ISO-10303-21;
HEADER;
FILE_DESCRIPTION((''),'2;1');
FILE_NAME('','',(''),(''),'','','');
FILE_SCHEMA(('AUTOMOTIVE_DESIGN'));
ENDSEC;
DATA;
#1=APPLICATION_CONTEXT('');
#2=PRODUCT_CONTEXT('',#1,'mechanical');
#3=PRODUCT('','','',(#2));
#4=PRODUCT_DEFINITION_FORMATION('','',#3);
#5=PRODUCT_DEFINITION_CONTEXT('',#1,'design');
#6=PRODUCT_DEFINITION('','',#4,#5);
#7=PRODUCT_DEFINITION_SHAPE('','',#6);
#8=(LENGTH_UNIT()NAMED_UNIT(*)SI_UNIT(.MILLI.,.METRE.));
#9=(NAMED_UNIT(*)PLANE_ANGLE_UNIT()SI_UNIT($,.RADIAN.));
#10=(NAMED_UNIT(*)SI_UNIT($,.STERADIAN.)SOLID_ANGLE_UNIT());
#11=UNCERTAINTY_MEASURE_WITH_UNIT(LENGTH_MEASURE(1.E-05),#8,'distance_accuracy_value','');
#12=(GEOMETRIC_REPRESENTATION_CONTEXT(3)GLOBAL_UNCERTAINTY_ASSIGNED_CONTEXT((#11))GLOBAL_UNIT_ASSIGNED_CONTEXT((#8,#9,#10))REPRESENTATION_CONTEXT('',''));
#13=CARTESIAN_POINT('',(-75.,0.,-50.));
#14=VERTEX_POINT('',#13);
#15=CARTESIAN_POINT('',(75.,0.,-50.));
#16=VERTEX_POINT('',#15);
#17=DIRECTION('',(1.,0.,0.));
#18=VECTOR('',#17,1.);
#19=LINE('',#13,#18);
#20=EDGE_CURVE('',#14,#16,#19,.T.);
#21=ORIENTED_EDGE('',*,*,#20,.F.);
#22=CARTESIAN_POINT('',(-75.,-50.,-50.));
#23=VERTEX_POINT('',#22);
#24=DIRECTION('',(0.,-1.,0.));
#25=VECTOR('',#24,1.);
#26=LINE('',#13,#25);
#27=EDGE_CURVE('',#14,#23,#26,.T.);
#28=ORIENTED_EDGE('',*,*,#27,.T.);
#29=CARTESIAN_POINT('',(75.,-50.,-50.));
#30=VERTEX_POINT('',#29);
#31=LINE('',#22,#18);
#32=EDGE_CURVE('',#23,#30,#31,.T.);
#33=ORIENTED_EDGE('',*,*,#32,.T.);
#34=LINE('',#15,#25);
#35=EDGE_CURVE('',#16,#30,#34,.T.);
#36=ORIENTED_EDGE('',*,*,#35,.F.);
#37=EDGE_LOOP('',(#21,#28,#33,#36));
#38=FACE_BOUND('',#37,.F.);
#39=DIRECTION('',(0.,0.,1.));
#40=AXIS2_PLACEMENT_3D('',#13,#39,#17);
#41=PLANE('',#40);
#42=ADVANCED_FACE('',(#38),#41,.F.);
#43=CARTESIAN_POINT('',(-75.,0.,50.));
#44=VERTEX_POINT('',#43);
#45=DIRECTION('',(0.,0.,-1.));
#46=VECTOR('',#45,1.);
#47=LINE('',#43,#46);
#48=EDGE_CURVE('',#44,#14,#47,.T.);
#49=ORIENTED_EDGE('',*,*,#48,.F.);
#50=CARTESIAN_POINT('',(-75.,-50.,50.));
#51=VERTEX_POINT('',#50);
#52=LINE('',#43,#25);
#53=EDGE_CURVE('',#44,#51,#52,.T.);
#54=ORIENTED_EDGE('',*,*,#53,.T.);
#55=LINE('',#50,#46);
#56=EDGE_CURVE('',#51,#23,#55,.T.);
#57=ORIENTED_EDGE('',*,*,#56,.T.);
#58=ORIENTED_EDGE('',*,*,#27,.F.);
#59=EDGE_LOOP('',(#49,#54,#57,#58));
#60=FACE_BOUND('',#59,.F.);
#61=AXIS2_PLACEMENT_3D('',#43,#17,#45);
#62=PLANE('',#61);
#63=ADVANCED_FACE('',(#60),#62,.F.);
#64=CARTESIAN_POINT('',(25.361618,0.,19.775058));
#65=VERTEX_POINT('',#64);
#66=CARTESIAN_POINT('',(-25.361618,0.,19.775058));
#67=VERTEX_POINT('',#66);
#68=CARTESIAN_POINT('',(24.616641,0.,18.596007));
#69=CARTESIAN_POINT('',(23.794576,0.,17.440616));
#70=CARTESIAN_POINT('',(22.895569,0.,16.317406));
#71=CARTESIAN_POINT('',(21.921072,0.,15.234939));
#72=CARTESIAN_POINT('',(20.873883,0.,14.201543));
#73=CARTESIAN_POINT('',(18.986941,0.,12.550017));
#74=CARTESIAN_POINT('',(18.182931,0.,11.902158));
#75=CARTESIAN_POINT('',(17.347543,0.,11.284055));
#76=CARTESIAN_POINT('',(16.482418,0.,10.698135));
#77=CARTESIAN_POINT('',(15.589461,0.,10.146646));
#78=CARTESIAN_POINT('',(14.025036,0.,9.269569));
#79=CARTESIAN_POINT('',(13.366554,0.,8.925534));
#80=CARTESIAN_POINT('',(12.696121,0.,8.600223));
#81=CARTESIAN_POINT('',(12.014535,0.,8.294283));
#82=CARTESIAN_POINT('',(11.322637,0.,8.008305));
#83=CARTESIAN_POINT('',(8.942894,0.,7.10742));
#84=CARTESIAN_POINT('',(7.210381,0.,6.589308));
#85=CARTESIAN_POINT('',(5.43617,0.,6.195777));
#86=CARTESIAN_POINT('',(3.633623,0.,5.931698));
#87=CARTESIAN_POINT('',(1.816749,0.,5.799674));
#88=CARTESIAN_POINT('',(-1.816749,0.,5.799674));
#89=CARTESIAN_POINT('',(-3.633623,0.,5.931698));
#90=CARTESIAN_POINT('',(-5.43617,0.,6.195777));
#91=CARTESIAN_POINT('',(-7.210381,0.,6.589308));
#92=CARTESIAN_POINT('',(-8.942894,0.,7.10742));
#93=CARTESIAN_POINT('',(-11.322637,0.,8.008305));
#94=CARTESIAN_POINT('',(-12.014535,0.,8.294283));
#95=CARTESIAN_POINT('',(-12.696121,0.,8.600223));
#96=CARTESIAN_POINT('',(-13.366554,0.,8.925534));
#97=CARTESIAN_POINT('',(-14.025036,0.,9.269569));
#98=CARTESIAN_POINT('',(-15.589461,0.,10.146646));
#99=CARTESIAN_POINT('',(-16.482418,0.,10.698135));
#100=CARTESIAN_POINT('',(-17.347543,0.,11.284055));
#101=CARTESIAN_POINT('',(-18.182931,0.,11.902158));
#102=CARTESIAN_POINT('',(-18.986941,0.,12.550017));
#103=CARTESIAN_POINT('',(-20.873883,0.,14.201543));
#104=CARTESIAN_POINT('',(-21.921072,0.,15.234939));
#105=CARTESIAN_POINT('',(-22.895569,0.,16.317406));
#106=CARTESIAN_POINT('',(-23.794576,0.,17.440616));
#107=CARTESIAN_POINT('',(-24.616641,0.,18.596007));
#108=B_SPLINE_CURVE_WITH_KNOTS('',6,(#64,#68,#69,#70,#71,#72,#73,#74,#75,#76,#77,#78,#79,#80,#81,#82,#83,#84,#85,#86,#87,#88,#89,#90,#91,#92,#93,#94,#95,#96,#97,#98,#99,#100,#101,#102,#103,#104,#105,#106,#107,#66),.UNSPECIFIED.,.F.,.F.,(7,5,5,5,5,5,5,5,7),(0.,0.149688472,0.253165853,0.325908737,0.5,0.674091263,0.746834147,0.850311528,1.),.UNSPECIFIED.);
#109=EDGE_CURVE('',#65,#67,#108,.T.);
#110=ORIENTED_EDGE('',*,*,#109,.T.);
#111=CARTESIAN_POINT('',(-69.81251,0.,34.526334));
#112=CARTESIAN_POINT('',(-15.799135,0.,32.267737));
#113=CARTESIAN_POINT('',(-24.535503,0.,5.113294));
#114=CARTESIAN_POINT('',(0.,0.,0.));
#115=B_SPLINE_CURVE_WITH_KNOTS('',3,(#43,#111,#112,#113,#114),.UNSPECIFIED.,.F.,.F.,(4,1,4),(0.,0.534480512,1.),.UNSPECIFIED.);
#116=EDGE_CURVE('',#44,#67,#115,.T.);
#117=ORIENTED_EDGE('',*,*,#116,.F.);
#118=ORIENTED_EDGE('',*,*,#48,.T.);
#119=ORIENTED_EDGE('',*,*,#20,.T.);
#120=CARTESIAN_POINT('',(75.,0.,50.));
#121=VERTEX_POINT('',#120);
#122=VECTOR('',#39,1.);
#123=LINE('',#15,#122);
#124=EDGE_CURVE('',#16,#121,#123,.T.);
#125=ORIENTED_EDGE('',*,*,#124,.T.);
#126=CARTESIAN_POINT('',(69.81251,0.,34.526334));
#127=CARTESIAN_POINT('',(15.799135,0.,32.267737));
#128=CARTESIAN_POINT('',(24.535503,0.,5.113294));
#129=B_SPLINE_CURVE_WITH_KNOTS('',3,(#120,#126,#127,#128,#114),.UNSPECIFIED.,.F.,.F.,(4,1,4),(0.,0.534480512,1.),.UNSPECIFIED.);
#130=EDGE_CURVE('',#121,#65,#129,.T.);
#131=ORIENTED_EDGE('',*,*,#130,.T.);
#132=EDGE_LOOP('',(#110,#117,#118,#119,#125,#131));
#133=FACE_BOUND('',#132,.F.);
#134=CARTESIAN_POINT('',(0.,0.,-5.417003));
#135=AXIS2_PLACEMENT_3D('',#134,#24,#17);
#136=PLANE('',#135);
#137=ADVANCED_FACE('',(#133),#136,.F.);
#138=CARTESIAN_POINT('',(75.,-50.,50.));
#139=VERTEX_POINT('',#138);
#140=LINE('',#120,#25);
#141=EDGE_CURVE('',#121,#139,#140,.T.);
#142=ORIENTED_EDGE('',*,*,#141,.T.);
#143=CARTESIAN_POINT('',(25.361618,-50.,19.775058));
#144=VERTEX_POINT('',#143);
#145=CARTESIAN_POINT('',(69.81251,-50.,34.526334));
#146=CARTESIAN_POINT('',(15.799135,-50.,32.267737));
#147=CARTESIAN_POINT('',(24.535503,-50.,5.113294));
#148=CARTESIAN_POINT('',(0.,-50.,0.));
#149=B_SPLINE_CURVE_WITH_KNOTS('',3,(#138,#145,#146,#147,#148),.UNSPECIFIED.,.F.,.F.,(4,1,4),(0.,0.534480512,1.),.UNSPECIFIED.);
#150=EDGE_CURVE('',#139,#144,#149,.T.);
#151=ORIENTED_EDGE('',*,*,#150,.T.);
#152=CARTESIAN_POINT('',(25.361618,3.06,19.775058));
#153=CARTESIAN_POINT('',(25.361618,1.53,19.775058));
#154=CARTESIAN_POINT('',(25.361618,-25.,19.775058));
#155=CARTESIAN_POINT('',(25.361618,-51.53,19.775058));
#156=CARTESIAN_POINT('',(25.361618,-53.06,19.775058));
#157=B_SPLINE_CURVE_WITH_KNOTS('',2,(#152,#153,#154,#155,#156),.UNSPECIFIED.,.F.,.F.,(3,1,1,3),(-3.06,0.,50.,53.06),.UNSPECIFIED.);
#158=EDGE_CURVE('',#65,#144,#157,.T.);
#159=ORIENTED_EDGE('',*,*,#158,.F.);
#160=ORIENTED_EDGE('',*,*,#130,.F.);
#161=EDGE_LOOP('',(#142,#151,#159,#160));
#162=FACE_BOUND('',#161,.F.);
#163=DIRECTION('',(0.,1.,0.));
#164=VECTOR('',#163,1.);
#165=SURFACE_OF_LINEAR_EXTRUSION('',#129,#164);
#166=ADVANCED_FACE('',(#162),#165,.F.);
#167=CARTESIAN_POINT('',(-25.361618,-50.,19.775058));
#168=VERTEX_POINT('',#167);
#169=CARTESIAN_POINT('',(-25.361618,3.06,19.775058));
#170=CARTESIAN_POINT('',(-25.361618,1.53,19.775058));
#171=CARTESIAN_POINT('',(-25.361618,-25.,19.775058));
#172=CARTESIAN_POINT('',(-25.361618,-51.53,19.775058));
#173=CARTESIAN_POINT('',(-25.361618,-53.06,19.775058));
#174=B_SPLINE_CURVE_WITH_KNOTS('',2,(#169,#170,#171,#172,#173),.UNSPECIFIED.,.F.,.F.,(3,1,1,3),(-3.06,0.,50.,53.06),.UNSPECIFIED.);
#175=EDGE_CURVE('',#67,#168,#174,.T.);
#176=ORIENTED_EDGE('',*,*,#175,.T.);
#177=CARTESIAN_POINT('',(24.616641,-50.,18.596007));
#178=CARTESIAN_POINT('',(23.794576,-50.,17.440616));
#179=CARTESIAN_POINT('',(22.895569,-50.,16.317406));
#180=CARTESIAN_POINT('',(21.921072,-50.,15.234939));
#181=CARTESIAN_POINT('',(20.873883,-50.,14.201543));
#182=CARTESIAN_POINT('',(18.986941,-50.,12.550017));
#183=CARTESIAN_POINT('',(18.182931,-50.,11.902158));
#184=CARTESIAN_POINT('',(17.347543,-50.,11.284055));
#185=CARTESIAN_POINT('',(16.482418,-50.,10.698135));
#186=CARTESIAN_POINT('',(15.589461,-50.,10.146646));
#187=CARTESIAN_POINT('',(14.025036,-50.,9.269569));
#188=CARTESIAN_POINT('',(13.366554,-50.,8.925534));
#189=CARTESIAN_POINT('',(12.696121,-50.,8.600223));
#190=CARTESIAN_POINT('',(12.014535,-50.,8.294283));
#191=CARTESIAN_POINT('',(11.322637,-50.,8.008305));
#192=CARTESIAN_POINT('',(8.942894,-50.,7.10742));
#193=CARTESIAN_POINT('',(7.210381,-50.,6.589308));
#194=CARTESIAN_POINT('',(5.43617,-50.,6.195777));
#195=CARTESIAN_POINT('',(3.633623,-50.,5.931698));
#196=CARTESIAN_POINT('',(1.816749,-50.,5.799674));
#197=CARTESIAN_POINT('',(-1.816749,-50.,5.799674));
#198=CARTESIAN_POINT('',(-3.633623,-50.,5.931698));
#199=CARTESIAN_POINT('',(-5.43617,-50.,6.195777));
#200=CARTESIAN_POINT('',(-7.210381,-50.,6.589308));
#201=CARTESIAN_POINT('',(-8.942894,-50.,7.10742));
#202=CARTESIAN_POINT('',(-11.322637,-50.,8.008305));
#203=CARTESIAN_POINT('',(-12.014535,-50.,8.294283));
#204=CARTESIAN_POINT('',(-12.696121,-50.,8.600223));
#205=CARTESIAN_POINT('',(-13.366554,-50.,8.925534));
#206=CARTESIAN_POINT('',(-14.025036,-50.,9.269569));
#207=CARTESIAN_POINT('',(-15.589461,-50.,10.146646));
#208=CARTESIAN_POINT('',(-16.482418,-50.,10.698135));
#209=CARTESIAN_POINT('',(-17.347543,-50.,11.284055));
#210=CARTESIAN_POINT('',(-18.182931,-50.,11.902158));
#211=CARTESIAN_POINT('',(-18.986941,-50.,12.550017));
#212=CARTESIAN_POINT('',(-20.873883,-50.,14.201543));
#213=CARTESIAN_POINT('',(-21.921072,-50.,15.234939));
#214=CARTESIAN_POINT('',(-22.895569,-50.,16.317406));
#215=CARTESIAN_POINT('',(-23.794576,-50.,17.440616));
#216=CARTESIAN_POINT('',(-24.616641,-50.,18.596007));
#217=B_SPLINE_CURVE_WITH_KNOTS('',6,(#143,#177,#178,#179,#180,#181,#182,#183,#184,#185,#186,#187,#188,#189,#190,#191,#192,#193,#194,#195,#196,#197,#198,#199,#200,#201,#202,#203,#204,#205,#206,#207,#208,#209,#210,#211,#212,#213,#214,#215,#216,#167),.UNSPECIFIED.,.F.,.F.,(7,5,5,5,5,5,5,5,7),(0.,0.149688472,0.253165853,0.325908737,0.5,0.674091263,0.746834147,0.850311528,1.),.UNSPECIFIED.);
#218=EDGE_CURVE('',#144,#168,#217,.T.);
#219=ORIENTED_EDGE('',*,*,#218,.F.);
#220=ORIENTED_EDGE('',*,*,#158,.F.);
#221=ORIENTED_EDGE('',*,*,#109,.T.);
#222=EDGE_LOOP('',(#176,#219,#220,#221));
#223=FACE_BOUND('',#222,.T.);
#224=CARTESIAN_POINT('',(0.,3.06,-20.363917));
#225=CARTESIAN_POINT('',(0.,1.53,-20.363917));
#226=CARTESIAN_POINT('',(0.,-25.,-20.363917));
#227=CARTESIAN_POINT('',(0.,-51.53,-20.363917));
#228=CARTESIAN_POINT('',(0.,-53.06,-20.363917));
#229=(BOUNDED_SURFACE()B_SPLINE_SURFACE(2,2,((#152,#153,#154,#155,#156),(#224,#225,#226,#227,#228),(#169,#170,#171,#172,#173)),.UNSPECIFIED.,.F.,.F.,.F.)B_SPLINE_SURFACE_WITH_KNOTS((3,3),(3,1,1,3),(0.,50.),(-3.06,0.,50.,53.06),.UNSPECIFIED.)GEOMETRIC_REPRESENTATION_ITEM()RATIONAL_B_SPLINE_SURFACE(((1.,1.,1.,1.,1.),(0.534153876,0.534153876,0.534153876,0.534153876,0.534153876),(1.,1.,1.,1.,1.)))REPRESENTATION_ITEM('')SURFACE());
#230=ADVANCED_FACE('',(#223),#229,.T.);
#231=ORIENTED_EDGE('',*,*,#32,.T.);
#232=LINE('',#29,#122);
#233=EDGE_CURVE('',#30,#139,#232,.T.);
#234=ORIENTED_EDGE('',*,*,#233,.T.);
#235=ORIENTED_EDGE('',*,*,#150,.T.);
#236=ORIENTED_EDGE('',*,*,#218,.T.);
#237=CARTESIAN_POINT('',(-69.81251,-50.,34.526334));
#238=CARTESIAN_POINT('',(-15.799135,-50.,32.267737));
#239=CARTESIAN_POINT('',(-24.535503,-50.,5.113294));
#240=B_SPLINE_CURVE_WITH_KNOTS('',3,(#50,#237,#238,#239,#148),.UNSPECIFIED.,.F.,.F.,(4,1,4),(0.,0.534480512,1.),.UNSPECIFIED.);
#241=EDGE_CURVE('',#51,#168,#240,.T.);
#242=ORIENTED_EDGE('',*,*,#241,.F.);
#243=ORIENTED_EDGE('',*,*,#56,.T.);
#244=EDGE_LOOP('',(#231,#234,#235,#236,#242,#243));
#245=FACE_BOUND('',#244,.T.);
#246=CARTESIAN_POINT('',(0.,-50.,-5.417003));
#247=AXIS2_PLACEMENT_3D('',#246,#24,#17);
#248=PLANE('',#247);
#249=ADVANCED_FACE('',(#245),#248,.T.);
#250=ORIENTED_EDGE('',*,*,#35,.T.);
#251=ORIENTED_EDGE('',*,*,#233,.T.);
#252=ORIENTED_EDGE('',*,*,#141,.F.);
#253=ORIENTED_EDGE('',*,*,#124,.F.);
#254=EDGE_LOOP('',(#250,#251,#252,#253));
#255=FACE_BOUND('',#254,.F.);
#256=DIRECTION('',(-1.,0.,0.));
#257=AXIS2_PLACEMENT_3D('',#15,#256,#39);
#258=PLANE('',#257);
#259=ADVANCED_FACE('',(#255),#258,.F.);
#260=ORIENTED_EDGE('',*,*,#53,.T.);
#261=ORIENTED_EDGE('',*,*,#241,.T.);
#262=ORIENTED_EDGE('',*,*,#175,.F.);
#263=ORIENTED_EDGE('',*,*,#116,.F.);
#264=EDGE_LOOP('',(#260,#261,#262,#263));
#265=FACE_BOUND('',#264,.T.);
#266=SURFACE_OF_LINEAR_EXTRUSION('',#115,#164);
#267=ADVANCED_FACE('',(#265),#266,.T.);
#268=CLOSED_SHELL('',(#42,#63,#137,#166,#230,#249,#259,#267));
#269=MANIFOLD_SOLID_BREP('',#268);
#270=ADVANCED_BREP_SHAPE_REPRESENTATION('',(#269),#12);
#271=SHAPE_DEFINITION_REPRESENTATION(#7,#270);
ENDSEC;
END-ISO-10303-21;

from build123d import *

# Parameters (mm, degrees)
F1_DEPTH = 50
F2_R     = 30


with BuildPart() as f1:
    # F0 (on Front) → F1 (new body)
    with BuildSketch(Plane.XZ):
        with BuildLine():
            Line((-75, -50), (0, -50))
            Line((0, -50), (75, -50))
            Line((75, -50), (75, 50))
            add(Edge.make_bspline(
                [(75, 50), (69.8125096925, 34.526334048), (15.799135177, 32.2677367389), (24.5355032384, 5.1132943481), (0, 0)],
                knots=[0, 0, 0, 0, 0.5344805116, 1, 1, 1, 1], degree=3))
            add(Edge.make_bspline(
                [(-75, 50), (-69.8125096925, 34.526334048), (-15.799135177, 32.2677367389), (-24.5355032384, 5.1132943481), (0, 0)],
                knots=[0, 0, 0, 0, 0.5344805116, 1, 1, 1, 1], degree=3))
            Line((-75, 50), (-75, -50))
        make_face()
    extrude(amount=F1_DEPTH)

    # F2
    f2_edges = [f1.edges().sort_by_distance(p)[0] for p in [
        (0, -25, 0),
    ]]
    fillet(f2_edges, radius=F2_R)


solid = f1.part
